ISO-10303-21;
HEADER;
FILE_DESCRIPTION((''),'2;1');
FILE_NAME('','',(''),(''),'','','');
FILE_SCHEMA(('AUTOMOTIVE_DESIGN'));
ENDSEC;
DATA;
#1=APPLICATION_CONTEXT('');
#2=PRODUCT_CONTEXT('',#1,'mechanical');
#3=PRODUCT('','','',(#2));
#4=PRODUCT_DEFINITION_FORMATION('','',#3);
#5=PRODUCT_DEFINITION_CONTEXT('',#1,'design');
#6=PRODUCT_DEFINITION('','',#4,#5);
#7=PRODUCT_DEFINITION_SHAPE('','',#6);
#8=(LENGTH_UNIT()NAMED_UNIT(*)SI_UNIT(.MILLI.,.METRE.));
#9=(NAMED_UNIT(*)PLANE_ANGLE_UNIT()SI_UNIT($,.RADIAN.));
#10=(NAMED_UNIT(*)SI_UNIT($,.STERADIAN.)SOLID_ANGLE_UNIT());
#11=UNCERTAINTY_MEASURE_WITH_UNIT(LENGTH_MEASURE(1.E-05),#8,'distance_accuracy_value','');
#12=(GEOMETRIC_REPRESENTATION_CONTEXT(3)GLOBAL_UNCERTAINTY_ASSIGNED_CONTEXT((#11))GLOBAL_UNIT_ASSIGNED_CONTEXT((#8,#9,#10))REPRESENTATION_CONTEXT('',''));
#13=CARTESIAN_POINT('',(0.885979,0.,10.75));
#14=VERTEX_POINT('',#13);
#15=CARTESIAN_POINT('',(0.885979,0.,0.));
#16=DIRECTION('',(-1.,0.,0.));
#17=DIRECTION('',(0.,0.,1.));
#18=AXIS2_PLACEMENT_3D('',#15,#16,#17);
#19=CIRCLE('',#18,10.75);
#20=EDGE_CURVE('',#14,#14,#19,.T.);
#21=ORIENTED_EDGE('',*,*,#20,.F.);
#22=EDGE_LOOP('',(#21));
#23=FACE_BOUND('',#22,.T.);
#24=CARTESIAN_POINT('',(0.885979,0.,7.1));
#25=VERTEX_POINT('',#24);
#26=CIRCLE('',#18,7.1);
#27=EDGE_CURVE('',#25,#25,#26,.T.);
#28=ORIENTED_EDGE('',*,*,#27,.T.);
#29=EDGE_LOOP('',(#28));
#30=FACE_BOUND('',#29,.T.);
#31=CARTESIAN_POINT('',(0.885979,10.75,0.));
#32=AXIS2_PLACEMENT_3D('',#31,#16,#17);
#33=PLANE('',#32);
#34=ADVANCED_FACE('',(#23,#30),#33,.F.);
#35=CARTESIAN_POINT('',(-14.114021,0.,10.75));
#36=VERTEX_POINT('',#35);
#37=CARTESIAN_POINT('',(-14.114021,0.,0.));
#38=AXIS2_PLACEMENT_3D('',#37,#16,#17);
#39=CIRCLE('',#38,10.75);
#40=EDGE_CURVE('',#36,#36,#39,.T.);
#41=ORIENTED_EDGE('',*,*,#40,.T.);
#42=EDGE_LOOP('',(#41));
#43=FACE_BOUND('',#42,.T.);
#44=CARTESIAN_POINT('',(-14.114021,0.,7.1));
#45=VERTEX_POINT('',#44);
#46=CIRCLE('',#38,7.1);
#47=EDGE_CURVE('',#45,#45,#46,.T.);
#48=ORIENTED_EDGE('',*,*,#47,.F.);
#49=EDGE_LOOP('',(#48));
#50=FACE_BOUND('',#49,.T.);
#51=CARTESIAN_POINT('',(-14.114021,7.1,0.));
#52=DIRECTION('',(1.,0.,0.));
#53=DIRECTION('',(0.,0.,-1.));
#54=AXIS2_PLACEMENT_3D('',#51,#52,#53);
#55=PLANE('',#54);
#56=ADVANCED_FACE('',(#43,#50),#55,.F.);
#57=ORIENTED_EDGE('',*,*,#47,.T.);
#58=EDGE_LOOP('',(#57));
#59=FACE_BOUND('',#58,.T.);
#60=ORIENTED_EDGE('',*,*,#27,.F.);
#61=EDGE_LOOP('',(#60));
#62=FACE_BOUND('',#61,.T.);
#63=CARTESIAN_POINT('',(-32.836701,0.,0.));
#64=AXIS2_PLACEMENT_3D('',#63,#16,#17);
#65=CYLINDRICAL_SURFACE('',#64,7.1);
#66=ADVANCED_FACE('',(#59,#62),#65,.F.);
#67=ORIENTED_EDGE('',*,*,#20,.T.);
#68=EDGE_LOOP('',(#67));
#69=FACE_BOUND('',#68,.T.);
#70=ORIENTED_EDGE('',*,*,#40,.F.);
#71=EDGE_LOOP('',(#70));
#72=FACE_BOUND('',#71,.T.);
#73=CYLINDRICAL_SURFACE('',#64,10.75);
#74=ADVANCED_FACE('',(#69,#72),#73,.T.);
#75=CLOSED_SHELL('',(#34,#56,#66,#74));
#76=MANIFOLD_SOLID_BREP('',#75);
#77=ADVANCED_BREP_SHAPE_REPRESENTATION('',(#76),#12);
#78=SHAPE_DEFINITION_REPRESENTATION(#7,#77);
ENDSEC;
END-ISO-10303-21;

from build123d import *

# Parameters (mm, degrees)
ESQUISSE1_W = 15
ESQUISSE1_H = 3.65


with BuildPart() as part:
    # Esquisse1 → Révolution1 (revolve)
    with BuildSketch(Plane.XY, mode=Mode.PRIVATE) as r_volution1_sk:
        with Locations((-6.614021, 8.925)):
            Rectangle(ESQUISSE1_W, ESQUISSE1_H)
    revolve(r_volution1_sk.sketch.rotate(Axis((-32.836701031, 0, 0), (1, 0, 0)), 90), axis=Axis((-32.836701031, 0, 0), (1, 0, 0)))  # turned: the seam where the file's is


solid = part.part
